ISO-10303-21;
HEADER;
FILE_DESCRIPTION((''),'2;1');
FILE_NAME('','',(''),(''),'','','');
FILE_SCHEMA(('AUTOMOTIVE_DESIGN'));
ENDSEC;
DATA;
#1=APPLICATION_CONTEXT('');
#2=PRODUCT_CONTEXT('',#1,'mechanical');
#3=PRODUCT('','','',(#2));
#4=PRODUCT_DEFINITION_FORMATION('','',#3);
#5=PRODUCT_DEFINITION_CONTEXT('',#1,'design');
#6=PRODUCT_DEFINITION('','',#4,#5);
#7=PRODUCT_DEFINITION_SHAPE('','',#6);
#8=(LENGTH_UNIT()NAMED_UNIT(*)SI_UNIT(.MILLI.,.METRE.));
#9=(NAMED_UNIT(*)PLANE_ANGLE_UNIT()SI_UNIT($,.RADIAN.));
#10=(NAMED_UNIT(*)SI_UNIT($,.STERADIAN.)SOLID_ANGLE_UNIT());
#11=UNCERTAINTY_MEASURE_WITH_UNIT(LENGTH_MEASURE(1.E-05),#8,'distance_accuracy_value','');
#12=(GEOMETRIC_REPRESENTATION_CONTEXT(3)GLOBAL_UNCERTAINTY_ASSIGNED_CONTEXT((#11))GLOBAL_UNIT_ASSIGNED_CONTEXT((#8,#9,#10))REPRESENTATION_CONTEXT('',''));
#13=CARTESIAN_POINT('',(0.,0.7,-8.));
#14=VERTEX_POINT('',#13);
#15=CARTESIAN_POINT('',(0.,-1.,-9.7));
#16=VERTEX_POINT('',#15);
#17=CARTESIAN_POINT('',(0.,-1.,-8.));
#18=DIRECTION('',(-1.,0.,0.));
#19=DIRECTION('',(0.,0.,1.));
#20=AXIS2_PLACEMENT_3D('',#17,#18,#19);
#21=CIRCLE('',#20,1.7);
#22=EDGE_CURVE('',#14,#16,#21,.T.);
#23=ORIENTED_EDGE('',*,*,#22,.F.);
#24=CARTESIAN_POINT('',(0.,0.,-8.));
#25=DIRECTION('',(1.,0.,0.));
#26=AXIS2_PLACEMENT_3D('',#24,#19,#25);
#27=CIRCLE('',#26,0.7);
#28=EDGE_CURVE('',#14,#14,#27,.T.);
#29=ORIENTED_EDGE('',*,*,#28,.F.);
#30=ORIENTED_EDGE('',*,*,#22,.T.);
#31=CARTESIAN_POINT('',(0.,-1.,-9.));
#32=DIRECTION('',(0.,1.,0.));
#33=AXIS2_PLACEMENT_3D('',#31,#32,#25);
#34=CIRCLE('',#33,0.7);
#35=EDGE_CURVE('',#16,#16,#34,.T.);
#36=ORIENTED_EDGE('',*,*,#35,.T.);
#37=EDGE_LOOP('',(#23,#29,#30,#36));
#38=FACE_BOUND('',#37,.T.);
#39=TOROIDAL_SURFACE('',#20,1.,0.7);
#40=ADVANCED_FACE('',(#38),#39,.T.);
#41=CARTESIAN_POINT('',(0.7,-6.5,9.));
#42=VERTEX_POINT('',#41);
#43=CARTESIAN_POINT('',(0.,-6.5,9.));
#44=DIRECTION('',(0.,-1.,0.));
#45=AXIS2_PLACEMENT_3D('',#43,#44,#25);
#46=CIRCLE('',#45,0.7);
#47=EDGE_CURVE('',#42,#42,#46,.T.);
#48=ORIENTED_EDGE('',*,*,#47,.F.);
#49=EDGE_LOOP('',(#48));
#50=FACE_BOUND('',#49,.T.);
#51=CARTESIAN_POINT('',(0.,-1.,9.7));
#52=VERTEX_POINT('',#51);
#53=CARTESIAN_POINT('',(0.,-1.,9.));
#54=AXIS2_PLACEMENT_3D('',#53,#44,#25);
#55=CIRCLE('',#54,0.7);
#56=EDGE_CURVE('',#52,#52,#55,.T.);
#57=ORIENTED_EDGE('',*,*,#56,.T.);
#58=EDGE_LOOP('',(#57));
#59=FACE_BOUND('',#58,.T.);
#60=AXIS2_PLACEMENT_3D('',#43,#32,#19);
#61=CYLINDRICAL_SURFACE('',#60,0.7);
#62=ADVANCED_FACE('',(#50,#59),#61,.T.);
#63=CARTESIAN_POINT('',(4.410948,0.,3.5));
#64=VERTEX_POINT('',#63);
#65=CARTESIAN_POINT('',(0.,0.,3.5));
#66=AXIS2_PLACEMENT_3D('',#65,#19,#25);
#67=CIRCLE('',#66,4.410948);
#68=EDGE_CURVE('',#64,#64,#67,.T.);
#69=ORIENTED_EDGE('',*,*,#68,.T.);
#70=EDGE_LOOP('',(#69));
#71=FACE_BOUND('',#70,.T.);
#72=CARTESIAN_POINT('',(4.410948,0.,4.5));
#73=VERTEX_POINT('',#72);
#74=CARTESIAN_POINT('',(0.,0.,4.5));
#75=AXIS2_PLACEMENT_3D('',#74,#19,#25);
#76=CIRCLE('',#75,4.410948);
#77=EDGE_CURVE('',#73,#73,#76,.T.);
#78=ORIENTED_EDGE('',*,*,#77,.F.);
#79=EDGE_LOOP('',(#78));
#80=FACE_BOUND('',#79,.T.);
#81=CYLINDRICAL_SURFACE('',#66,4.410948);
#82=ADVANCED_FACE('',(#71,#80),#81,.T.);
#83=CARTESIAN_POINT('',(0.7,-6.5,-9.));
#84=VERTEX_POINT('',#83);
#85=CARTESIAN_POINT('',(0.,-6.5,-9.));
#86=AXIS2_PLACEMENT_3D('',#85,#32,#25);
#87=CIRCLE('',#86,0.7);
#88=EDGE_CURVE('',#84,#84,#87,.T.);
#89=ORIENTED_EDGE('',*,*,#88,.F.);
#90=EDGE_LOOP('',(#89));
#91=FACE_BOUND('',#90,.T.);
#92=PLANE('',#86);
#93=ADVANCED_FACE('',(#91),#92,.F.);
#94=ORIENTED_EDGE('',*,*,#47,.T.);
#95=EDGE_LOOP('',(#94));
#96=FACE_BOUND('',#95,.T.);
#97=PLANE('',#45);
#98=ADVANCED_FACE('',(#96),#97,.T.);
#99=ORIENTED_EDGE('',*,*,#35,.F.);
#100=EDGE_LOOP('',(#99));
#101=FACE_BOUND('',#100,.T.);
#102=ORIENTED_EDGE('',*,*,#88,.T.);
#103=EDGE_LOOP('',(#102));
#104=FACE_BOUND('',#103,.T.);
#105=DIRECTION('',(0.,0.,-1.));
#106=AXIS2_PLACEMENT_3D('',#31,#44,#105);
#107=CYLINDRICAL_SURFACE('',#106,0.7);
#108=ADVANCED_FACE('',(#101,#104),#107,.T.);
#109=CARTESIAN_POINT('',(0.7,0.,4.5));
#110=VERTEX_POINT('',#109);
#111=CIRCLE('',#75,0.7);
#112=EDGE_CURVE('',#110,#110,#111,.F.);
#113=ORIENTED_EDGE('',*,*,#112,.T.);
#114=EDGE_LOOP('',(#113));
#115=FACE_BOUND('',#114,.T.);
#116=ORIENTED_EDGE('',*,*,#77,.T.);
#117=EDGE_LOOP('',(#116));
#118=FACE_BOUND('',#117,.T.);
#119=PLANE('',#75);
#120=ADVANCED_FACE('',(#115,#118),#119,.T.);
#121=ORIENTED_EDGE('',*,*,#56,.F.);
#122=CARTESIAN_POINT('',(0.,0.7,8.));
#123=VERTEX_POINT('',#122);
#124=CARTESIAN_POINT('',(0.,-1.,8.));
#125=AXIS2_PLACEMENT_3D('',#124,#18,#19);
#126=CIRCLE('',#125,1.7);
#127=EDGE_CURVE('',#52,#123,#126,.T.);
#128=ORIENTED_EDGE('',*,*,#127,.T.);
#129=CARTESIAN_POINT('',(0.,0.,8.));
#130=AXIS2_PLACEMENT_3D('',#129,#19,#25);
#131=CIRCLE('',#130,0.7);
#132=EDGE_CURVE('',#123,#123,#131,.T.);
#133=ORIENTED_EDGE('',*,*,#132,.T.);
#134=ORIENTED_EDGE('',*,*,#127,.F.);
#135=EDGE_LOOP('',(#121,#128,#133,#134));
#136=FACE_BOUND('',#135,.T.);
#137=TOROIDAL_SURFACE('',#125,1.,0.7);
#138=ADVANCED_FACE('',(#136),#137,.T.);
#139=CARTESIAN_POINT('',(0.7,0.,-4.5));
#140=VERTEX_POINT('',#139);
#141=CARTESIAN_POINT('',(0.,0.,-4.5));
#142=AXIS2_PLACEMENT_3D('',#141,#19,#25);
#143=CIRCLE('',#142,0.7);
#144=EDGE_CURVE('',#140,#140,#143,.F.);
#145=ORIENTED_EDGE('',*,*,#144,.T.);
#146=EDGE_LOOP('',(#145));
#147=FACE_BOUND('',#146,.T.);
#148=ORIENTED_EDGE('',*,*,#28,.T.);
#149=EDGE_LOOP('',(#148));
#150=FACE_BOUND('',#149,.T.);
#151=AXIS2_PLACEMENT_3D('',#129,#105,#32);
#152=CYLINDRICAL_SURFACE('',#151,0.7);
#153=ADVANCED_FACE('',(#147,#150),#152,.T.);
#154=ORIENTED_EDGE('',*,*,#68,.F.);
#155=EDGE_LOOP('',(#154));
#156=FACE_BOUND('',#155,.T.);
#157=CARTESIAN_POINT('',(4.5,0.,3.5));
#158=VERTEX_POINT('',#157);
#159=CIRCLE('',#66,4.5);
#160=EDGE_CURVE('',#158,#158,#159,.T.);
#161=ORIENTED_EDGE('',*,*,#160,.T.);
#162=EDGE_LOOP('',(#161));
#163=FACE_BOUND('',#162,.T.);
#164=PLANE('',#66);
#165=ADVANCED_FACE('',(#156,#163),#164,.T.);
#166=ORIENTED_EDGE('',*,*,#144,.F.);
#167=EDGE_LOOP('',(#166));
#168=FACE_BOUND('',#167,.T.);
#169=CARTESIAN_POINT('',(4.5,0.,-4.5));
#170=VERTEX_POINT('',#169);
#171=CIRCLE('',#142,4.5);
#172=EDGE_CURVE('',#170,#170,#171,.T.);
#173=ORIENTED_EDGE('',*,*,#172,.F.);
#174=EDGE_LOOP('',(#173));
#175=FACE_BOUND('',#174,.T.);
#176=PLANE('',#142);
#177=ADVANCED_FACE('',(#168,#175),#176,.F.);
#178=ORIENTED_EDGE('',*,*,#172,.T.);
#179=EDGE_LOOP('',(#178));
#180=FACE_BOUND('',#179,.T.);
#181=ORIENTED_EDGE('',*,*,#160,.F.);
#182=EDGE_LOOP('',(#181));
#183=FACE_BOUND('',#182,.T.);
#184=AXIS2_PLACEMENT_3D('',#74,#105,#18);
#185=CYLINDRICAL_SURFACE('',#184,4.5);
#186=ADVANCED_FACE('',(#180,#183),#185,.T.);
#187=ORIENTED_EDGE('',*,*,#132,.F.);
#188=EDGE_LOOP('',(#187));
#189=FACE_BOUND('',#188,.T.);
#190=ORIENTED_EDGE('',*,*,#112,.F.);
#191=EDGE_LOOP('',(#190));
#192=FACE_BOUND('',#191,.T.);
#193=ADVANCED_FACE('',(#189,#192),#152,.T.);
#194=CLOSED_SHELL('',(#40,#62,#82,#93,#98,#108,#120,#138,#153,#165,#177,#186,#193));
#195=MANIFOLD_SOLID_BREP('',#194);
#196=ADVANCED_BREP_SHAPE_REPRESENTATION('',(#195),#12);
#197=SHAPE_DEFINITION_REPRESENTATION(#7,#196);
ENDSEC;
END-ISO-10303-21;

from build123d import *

# Parameters (mm, degrees)
SKETCH_1_R          = 4.5
EXTRUDE_1_DEPTH     = 4.5
SKETCH_2_R          = 5.333427414
SKETCH_2_R_2        = 4.410947686
CUT_EXTRUDE_1_DEPTH = 1
SKETCH_4_R          = 0.7


with BuildPart() as part:
    # Эскиз1 → Бобышка-Вытянуть1 (new, symmetric)
    with BuildSketch(Plane.XY):
        Circle(SKETCH_1_R)
    extrude(amount=EXTRUDE_1_DEPTH, both=True)

    # Эскиз2 → Вырез-Вытянуть1 (cut)
    with BuildSketch(Plane.XY.offset(4.5)):
        Circle(SKETCH_2_R)
        Circle(SKETCH_2_R_2, mode=Mode.SUBTRACT)
    extrude(amount=-CUT_EXTRUDE_1_DEPTH, mode=Mode.SUBTRACT)

    # По траектории1: sweep along a path in Эскиз3
    with BuildLine(Plane(origin=(0, 0, 0), x_dir=(0, 0, -1), z_dir=(1, 0, 0))) as sweep_1_path:
        Line((9, -6.5), (9, -1))
        ThreePointArc((9, -1), (8.707106781, -0.292893219), (8, 0))
        Line((8, 0), (-8, 0))
        ThreePointArc((-8, 0), (-8.707106781, -0.292893219), (-9, -1))
        Line((-9, -1), (-9, -6.5))
    # Эскиз4 → По траектории1 (sweep)
    with BuildSketch(Plane.XY):
        Circle(SKETCH_4_R)
    sweep(path=sweep_1_path.line)


solid = part.part
